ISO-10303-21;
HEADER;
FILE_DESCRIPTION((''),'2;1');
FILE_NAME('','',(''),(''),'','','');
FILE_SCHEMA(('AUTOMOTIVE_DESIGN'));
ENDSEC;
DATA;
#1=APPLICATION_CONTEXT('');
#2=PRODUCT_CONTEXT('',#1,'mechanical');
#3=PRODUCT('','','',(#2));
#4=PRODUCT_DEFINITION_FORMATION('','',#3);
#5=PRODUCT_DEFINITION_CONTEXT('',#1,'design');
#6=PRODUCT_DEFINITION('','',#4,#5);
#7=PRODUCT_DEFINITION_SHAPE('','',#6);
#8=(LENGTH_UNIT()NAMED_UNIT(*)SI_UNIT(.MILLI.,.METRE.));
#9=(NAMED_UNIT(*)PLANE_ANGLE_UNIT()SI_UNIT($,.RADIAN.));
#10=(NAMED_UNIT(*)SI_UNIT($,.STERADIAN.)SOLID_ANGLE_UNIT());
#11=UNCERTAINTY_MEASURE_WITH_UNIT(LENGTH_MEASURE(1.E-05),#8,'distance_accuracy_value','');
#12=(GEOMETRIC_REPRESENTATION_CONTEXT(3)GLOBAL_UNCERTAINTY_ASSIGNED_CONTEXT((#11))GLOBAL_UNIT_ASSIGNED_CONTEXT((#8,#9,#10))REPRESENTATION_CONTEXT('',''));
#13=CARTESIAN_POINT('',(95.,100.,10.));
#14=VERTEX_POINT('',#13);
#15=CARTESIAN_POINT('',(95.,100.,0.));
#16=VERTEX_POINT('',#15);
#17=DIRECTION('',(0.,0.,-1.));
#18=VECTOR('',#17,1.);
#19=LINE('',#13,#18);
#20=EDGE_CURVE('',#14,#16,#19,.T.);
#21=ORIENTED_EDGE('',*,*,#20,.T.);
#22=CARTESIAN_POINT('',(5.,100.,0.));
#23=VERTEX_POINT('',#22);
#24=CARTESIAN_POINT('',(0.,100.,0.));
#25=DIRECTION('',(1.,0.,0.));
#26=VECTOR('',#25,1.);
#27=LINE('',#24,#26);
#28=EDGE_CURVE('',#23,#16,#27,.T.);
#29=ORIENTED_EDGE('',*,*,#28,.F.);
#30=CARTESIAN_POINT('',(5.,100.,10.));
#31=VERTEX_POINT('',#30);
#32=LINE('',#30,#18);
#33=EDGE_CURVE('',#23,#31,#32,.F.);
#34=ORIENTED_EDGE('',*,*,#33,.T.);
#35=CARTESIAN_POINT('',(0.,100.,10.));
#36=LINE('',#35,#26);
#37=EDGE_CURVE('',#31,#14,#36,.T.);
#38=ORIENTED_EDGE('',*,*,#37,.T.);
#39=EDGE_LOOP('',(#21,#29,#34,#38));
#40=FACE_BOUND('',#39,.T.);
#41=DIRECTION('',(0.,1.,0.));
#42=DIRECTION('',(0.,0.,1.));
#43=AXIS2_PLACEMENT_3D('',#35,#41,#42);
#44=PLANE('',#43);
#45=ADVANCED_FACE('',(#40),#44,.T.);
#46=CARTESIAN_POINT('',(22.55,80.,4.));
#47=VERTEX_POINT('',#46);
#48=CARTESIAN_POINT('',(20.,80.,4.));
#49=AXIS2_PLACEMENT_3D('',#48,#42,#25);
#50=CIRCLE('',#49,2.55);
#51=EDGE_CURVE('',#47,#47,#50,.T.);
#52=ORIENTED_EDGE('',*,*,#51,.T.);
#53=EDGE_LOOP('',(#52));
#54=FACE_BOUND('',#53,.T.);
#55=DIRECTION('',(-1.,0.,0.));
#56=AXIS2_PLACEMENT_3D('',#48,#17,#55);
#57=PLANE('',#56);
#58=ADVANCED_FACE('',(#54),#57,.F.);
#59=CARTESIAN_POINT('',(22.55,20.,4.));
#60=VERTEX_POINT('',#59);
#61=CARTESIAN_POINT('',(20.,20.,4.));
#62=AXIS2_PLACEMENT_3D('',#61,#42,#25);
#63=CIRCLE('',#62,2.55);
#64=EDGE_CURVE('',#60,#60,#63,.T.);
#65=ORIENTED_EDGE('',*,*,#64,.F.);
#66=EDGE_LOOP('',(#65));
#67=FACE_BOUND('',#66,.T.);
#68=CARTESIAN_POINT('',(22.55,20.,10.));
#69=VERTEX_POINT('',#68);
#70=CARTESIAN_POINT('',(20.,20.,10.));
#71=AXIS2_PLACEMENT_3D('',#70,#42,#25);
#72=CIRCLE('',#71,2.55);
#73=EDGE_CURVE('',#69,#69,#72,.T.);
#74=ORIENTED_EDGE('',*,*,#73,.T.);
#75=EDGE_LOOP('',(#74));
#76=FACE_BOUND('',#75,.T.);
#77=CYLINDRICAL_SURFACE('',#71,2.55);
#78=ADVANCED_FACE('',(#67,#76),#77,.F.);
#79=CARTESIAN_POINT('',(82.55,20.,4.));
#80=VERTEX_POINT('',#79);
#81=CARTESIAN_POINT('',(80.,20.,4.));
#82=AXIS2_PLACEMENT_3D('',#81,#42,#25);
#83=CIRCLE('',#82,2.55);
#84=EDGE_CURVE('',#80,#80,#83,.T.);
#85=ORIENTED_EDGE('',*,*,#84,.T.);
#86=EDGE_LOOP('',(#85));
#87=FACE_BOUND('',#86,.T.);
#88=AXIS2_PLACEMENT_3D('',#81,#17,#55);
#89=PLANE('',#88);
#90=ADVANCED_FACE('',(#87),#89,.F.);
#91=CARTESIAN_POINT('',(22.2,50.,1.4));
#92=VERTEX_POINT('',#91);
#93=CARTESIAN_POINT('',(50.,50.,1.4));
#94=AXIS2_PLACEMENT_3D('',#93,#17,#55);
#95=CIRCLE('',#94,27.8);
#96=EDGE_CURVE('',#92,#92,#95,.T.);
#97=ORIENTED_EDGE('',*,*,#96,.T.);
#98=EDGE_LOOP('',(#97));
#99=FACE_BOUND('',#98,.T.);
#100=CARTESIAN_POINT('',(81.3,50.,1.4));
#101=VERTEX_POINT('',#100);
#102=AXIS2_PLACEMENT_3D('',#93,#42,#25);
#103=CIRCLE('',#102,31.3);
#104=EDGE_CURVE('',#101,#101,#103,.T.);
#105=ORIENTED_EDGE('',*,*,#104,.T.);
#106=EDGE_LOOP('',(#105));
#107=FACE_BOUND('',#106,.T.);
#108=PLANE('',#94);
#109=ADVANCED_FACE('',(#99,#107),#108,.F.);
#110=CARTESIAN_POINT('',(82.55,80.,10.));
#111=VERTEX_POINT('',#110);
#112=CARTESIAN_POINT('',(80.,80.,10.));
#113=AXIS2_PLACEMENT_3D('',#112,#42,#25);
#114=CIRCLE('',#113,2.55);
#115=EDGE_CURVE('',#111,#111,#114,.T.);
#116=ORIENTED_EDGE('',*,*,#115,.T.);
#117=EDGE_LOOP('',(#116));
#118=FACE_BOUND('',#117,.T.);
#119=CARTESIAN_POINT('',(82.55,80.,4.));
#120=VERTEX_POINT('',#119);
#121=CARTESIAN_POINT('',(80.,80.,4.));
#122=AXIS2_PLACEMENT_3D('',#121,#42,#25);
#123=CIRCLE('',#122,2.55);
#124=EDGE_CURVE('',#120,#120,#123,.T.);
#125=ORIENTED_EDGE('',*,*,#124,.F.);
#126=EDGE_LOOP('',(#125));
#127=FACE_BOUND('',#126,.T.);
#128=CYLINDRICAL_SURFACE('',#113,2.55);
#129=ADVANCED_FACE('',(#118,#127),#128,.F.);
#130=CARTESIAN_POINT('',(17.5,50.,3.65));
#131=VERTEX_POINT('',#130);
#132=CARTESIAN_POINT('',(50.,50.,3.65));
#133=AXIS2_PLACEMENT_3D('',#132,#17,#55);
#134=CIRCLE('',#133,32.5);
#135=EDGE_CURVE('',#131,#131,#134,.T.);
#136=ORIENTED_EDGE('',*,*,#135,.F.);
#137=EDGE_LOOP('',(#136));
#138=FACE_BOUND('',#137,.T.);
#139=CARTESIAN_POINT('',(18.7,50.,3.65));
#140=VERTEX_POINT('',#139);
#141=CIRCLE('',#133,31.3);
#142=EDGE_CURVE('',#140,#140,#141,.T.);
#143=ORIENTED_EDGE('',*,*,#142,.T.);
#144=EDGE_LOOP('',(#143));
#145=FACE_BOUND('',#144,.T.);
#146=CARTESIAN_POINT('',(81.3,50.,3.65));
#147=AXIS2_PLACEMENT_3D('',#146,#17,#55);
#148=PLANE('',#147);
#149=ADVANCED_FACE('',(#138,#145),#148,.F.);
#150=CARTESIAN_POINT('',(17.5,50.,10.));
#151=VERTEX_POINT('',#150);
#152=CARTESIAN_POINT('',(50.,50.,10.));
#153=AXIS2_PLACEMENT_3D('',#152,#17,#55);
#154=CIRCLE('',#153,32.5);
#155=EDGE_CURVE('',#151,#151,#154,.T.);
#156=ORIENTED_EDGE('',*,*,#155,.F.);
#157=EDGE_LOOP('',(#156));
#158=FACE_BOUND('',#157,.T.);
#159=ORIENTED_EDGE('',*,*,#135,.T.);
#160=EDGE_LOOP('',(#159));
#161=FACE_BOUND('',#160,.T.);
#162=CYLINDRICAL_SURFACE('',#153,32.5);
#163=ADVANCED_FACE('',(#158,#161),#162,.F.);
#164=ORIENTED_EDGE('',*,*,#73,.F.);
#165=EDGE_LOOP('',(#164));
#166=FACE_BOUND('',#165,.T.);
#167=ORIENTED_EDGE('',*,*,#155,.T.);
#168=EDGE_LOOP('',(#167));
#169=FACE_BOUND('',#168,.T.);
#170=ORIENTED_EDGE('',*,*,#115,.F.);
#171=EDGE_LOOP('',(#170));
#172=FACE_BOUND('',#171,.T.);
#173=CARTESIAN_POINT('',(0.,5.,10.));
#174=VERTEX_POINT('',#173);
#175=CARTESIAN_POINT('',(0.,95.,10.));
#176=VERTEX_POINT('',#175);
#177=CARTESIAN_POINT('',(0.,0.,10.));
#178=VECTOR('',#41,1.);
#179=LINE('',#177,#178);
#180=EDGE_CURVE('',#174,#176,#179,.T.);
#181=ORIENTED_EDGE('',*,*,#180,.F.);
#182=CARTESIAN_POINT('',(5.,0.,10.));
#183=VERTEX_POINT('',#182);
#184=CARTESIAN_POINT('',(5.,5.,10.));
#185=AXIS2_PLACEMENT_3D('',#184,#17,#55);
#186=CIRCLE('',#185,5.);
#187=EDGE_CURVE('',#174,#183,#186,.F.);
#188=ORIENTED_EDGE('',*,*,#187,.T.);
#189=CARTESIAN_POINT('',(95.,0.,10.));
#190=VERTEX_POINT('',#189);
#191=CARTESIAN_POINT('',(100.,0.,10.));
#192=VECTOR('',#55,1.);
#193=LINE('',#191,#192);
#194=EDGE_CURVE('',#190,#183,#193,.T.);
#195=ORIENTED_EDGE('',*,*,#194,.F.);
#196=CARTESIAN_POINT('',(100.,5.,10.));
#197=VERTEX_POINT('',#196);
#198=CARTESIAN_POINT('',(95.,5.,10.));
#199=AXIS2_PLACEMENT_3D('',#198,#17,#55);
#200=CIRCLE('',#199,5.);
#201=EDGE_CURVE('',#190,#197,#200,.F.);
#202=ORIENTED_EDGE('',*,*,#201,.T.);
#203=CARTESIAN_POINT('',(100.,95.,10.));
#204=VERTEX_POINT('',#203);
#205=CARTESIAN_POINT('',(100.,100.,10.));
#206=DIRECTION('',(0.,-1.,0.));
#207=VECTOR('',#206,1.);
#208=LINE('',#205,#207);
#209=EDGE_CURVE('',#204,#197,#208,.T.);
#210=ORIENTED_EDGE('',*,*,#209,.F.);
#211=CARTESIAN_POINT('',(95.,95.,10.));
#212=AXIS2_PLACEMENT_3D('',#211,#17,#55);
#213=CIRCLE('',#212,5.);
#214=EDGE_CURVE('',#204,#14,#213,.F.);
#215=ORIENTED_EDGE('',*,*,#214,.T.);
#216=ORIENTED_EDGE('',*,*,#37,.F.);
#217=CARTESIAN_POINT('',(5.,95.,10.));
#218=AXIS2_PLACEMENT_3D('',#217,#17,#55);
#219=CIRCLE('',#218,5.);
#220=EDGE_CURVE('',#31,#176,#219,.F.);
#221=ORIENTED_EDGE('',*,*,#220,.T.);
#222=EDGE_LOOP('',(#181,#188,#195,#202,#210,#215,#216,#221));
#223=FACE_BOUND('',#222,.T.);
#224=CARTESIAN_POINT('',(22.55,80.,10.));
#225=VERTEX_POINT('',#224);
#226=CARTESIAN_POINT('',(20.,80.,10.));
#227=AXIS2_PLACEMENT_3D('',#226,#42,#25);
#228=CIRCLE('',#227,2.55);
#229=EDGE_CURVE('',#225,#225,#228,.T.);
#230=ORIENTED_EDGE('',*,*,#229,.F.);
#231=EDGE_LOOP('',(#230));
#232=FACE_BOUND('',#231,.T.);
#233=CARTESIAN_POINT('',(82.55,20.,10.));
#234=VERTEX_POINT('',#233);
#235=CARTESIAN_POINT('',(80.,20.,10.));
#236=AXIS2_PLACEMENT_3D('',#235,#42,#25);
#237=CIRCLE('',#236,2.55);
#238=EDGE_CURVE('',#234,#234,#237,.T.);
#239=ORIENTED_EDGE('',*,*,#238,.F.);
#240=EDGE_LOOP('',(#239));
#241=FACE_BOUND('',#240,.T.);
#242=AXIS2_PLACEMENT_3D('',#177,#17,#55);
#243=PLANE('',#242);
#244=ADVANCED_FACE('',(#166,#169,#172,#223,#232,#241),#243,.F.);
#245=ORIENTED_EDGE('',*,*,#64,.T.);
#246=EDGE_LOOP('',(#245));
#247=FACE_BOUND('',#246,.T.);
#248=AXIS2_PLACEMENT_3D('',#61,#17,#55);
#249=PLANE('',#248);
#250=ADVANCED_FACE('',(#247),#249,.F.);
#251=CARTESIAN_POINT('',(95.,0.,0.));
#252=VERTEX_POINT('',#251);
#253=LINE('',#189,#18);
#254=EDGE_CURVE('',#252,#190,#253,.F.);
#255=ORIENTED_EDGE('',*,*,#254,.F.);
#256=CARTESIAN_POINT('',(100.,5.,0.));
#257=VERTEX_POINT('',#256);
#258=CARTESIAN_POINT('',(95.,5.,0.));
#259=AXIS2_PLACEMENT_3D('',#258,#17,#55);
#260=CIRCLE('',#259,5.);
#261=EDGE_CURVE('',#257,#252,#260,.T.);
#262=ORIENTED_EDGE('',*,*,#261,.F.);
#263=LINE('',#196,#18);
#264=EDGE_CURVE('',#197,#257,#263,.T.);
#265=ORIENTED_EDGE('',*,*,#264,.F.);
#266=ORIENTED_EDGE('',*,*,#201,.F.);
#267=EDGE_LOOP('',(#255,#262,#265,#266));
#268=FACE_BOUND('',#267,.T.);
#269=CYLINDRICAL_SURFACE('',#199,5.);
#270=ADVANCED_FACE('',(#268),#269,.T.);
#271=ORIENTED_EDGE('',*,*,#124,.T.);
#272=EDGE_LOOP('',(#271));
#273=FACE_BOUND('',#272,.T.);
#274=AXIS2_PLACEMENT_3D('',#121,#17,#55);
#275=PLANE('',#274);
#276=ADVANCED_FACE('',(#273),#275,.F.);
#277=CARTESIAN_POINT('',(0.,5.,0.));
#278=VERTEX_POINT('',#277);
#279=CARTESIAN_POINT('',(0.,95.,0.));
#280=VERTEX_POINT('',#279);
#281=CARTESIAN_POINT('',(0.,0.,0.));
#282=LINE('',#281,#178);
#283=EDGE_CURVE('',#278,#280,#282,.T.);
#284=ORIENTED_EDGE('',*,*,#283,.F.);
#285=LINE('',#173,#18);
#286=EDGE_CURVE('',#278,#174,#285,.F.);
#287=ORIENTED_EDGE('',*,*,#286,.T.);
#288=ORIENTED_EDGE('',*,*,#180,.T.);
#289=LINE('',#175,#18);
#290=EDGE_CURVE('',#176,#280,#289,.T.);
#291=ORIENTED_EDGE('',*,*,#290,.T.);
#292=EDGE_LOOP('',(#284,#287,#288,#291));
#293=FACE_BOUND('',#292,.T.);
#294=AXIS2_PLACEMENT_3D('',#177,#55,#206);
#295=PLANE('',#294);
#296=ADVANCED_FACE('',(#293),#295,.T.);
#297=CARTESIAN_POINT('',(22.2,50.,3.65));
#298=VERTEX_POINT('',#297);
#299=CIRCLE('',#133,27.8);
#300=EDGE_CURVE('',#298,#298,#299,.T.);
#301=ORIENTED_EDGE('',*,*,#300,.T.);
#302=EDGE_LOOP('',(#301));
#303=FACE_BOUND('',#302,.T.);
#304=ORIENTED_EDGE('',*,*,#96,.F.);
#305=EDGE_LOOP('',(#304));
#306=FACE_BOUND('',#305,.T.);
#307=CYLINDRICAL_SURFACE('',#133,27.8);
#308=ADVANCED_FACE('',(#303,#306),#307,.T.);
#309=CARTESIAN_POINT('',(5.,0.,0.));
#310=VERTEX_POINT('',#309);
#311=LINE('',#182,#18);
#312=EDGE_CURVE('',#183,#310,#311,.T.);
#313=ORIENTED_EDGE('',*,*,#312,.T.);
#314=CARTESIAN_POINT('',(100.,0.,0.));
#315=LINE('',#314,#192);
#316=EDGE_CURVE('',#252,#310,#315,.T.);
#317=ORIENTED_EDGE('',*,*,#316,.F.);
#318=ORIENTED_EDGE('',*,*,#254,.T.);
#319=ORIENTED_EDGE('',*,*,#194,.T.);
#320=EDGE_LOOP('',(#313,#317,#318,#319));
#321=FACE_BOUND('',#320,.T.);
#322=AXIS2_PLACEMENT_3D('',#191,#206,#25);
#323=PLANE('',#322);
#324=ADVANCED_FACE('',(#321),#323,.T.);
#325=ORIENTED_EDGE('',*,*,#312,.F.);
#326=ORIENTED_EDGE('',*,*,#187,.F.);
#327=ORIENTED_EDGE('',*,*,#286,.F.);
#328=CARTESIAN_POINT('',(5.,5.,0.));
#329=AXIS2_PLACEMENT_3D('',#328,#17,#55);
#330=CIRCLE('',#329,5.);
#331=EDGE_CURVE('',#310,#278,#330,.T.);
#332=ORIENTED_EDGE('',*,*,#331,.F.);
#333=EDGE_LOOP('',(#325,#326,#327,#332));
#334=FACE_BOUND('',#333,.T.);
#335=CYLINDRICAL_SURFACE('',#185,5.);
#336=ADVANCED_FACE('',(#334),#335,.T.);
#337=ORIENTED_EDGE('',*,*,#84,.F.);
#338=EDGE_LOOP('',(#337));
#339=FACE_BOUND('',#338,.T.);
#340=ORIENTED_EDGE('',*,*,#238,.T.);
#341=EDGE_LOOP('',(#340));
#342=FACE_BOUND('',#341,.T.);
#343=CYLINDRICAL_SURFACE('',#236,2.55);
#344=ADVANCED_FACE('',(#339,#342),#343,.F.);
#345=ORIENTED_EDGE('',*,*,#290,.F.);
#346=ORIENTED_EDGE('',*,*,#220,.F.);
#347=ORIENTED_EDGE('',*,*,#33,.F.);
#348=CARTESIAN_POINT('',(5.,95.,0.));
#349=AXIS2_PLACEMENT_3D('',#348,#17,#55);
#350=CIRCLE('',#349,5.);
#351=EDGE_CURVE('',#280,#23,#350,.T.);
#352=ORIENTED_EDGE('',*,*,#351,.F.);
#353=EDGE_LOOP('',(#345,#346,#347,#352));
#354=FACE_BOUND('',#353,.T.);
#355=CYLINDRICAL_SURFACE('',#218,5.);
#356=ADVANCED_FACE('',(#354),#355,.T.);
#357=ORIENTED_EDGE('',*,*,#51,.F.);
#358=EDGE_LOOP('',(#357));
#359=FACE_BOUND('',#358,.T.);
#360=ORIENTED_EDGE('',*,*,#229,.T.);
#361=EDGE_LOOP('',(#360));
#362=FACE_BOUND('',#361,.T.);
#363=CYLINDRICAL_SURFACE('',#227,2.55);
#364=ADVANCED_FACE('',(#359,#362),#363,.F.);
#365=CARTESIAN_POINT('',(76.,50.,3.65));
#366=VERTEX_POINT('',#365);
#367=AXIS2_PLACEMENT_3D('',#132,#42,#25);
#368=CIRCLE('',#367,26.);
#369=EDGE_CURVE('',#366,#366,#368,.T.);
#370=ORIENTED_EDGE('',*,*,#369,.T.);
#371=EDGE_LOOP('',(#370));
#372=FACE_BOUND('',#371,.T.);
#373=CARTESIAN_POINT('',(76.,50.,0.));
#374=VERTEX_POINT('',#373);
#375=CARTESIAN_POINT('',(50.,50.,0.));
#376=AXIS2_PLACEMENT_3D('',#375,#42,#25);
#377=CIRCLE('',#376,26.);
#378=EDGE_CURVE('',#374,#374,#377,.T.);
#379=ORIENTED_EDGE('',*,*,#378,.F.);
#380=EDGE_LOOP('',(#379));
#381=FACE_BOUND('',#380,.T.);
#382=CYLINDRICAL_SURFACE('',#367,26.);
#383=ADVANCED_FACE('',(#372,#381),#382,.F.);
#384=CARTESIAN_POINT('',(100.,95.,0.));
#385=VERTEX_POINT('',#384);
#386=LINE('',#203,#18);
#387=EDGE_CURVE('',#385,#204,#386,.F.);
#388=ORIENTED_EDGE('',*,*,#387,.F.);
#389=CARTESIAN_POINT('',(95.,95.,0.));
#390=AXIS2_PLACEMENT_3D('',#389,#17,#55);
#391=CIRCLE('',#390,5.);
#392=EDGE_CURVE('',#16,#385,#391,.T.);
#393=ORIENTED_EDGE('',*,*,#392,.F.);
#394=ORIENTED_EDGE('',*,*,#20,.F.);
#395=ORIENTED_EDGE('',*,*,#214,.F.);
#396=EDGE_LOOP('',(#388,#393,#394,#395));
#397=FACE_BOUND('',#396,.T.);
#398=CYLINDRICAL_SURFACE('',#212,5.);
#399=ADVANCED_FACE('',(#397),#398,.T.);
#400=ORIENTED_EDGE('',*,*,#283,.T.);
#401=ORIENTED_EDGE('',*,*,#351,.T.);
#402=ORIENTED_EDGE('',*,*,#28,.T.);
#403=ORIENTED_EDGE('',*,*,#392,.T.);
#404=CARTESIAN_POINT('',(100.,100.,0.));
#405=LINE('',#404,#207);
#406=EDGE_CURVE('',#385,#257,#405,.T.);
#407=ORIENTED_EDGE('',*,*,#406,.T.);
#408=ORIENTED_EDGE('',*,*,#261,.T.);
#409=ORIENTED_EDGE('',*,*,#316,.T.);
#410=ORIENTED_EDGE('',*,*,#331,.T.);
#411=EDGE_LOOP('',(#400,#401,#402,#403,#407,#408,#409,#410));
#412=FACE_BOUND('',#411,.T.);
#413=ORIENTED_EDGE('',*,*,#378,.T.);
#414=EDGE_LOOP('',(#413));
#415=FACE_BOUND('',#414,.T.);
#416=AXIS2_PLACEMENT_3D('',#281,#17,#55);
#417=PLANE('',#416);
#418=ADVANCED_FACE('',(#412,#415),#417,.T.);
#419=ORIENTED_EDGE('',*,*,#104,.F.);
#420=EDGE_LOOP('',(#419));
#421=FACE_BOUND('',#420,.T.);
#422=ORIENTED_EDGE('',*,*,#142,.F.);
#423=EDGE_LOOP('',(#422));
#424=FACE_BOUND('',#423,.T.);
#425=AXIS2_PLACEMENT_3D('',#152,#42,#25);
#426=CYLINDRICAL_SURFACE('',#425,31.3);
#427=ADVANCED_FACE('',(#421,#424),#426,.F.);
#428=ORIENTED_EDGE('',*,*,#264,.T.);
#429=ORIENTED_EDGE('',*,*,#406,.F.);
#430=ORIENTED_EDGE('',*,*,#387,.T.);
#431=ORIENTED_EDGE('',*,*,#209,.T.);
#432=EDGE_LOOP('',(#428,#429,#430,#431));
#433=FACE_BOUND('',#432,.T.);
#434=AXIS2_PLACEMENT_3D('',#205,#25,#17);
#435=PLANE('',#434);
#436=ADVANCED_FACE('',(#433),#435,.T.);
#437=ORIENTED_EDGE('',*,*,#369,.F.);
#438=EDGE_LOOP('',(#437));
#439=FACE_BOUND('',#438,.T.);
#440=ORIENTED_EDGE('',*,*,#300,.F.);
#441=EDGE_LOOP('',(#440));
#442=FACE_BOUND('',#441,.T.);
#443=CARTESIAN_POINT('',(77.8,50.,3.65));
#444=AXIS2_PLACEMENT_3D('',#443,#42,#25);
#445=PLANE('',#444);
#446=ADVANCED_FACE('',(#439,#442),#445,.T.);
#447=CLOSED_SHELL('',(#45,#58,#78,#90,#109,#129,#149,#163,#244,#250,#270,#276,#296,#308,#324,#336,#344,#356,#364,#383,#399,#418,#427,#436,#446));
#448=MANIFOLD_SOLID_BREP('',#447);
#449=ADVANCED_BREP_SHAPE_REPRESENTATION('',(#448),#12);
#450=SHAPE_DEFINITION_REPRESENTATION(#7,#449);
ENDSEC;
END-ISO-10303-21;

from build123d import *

# Parameters (mm, degrees)
SKETCH1_W                  = 100
SKETCH1_H                  = 100
BOSS_EXTRUDE1_DEPTH        = 10
HOLE1_D                    = 62.6
HOLE1_DEPTH                = 8.6
SKETCH4_W                  = 27.8
SKETCH4_H                  = 2.25
SKETCH5_W                  = 1.2
SKETCH5_H                  = 6.35
F_10_CLEARANCE_HOLE1_D     = 5.1
F_10_CLEARANCE_HOLE1_DEPTH = 6
HOLE2_D                    = 52
FILLET1_R                  = 5


with BuildPart() as part:
    # Sketch1 → Boss-Extrude1 (new body)
    with BuildSketch(Plane(origin=(0, 0, 0), x_dir=(-1, 0, 0), z_dir=(0, 0, -1))):
        with Locations((-50, 50)):
            Rectangle(SKETCH1_W, SKETCH1_H)
    extrude(amount=-BOSS_EXTRUDE1_DEPTH)

    # Hole1
    with Locations(Plane.XY.offset(10)):
        with Locations((50, 50)):
            Hole(HOLE1_D / 2, depth=HOLE1_DEPTH)

    # Sketch4 → Revolve1 (revolve)
    with BuildSketch(Plane.XZ.offset(-50)):
        with Locations((63.9, 2.525)):
            Rectangle(SKETCH4_W, SKETCH4_H)
    revolve(axis=Axis((50, 50, 3.65), (0, 0, -1)))

    # Sketch5 → Cut-Revolve1 (revolve, cut)
    with BuildSketch(Plane.XZ.offset(-50), mode=Mode.PRIVATE) as cut_revolve1_sk:
        with Locations((81.9, 6.825)):
            Rectangle(SKETCH5_W, SKETCH5_H)
    revolve(cut_revolve1_sk.sketch.rotate(Axis((50, 50, 10), (0, 0, -1)), 180), axis=Axis((50, 50, 10), (0, 0, -1)), mode=Mode.SUBTRACT)

    # #10 Clearance Hole1
    with Locations(Plane.XY.offset(10)):
        with Locations((80, 80), (80, 20), (20, 20), (20, 80)):
            Hole(F_10_CLEARANCE_HOLE1_D / 2, depth=F_10_CLEARANCE_HOLE1_DEPTH)

    # Hole2 (through all)
    with Locations(Plane.XY.offset(3.65)):
        with Locations((50, 50)):
            Hole(HOLE2_D / 2)

    # Fillet1
    fillet1_edges = [part.edges().sort_by_distance(p)[0] for p in [
        (100, 100, 5),
        (0, 100, 5),
        (0, 0, 5),
        (100, 0, 5),
    ]]
    fillet(fillet1_edges, radius=FILLET1_R)


solid = part.part
